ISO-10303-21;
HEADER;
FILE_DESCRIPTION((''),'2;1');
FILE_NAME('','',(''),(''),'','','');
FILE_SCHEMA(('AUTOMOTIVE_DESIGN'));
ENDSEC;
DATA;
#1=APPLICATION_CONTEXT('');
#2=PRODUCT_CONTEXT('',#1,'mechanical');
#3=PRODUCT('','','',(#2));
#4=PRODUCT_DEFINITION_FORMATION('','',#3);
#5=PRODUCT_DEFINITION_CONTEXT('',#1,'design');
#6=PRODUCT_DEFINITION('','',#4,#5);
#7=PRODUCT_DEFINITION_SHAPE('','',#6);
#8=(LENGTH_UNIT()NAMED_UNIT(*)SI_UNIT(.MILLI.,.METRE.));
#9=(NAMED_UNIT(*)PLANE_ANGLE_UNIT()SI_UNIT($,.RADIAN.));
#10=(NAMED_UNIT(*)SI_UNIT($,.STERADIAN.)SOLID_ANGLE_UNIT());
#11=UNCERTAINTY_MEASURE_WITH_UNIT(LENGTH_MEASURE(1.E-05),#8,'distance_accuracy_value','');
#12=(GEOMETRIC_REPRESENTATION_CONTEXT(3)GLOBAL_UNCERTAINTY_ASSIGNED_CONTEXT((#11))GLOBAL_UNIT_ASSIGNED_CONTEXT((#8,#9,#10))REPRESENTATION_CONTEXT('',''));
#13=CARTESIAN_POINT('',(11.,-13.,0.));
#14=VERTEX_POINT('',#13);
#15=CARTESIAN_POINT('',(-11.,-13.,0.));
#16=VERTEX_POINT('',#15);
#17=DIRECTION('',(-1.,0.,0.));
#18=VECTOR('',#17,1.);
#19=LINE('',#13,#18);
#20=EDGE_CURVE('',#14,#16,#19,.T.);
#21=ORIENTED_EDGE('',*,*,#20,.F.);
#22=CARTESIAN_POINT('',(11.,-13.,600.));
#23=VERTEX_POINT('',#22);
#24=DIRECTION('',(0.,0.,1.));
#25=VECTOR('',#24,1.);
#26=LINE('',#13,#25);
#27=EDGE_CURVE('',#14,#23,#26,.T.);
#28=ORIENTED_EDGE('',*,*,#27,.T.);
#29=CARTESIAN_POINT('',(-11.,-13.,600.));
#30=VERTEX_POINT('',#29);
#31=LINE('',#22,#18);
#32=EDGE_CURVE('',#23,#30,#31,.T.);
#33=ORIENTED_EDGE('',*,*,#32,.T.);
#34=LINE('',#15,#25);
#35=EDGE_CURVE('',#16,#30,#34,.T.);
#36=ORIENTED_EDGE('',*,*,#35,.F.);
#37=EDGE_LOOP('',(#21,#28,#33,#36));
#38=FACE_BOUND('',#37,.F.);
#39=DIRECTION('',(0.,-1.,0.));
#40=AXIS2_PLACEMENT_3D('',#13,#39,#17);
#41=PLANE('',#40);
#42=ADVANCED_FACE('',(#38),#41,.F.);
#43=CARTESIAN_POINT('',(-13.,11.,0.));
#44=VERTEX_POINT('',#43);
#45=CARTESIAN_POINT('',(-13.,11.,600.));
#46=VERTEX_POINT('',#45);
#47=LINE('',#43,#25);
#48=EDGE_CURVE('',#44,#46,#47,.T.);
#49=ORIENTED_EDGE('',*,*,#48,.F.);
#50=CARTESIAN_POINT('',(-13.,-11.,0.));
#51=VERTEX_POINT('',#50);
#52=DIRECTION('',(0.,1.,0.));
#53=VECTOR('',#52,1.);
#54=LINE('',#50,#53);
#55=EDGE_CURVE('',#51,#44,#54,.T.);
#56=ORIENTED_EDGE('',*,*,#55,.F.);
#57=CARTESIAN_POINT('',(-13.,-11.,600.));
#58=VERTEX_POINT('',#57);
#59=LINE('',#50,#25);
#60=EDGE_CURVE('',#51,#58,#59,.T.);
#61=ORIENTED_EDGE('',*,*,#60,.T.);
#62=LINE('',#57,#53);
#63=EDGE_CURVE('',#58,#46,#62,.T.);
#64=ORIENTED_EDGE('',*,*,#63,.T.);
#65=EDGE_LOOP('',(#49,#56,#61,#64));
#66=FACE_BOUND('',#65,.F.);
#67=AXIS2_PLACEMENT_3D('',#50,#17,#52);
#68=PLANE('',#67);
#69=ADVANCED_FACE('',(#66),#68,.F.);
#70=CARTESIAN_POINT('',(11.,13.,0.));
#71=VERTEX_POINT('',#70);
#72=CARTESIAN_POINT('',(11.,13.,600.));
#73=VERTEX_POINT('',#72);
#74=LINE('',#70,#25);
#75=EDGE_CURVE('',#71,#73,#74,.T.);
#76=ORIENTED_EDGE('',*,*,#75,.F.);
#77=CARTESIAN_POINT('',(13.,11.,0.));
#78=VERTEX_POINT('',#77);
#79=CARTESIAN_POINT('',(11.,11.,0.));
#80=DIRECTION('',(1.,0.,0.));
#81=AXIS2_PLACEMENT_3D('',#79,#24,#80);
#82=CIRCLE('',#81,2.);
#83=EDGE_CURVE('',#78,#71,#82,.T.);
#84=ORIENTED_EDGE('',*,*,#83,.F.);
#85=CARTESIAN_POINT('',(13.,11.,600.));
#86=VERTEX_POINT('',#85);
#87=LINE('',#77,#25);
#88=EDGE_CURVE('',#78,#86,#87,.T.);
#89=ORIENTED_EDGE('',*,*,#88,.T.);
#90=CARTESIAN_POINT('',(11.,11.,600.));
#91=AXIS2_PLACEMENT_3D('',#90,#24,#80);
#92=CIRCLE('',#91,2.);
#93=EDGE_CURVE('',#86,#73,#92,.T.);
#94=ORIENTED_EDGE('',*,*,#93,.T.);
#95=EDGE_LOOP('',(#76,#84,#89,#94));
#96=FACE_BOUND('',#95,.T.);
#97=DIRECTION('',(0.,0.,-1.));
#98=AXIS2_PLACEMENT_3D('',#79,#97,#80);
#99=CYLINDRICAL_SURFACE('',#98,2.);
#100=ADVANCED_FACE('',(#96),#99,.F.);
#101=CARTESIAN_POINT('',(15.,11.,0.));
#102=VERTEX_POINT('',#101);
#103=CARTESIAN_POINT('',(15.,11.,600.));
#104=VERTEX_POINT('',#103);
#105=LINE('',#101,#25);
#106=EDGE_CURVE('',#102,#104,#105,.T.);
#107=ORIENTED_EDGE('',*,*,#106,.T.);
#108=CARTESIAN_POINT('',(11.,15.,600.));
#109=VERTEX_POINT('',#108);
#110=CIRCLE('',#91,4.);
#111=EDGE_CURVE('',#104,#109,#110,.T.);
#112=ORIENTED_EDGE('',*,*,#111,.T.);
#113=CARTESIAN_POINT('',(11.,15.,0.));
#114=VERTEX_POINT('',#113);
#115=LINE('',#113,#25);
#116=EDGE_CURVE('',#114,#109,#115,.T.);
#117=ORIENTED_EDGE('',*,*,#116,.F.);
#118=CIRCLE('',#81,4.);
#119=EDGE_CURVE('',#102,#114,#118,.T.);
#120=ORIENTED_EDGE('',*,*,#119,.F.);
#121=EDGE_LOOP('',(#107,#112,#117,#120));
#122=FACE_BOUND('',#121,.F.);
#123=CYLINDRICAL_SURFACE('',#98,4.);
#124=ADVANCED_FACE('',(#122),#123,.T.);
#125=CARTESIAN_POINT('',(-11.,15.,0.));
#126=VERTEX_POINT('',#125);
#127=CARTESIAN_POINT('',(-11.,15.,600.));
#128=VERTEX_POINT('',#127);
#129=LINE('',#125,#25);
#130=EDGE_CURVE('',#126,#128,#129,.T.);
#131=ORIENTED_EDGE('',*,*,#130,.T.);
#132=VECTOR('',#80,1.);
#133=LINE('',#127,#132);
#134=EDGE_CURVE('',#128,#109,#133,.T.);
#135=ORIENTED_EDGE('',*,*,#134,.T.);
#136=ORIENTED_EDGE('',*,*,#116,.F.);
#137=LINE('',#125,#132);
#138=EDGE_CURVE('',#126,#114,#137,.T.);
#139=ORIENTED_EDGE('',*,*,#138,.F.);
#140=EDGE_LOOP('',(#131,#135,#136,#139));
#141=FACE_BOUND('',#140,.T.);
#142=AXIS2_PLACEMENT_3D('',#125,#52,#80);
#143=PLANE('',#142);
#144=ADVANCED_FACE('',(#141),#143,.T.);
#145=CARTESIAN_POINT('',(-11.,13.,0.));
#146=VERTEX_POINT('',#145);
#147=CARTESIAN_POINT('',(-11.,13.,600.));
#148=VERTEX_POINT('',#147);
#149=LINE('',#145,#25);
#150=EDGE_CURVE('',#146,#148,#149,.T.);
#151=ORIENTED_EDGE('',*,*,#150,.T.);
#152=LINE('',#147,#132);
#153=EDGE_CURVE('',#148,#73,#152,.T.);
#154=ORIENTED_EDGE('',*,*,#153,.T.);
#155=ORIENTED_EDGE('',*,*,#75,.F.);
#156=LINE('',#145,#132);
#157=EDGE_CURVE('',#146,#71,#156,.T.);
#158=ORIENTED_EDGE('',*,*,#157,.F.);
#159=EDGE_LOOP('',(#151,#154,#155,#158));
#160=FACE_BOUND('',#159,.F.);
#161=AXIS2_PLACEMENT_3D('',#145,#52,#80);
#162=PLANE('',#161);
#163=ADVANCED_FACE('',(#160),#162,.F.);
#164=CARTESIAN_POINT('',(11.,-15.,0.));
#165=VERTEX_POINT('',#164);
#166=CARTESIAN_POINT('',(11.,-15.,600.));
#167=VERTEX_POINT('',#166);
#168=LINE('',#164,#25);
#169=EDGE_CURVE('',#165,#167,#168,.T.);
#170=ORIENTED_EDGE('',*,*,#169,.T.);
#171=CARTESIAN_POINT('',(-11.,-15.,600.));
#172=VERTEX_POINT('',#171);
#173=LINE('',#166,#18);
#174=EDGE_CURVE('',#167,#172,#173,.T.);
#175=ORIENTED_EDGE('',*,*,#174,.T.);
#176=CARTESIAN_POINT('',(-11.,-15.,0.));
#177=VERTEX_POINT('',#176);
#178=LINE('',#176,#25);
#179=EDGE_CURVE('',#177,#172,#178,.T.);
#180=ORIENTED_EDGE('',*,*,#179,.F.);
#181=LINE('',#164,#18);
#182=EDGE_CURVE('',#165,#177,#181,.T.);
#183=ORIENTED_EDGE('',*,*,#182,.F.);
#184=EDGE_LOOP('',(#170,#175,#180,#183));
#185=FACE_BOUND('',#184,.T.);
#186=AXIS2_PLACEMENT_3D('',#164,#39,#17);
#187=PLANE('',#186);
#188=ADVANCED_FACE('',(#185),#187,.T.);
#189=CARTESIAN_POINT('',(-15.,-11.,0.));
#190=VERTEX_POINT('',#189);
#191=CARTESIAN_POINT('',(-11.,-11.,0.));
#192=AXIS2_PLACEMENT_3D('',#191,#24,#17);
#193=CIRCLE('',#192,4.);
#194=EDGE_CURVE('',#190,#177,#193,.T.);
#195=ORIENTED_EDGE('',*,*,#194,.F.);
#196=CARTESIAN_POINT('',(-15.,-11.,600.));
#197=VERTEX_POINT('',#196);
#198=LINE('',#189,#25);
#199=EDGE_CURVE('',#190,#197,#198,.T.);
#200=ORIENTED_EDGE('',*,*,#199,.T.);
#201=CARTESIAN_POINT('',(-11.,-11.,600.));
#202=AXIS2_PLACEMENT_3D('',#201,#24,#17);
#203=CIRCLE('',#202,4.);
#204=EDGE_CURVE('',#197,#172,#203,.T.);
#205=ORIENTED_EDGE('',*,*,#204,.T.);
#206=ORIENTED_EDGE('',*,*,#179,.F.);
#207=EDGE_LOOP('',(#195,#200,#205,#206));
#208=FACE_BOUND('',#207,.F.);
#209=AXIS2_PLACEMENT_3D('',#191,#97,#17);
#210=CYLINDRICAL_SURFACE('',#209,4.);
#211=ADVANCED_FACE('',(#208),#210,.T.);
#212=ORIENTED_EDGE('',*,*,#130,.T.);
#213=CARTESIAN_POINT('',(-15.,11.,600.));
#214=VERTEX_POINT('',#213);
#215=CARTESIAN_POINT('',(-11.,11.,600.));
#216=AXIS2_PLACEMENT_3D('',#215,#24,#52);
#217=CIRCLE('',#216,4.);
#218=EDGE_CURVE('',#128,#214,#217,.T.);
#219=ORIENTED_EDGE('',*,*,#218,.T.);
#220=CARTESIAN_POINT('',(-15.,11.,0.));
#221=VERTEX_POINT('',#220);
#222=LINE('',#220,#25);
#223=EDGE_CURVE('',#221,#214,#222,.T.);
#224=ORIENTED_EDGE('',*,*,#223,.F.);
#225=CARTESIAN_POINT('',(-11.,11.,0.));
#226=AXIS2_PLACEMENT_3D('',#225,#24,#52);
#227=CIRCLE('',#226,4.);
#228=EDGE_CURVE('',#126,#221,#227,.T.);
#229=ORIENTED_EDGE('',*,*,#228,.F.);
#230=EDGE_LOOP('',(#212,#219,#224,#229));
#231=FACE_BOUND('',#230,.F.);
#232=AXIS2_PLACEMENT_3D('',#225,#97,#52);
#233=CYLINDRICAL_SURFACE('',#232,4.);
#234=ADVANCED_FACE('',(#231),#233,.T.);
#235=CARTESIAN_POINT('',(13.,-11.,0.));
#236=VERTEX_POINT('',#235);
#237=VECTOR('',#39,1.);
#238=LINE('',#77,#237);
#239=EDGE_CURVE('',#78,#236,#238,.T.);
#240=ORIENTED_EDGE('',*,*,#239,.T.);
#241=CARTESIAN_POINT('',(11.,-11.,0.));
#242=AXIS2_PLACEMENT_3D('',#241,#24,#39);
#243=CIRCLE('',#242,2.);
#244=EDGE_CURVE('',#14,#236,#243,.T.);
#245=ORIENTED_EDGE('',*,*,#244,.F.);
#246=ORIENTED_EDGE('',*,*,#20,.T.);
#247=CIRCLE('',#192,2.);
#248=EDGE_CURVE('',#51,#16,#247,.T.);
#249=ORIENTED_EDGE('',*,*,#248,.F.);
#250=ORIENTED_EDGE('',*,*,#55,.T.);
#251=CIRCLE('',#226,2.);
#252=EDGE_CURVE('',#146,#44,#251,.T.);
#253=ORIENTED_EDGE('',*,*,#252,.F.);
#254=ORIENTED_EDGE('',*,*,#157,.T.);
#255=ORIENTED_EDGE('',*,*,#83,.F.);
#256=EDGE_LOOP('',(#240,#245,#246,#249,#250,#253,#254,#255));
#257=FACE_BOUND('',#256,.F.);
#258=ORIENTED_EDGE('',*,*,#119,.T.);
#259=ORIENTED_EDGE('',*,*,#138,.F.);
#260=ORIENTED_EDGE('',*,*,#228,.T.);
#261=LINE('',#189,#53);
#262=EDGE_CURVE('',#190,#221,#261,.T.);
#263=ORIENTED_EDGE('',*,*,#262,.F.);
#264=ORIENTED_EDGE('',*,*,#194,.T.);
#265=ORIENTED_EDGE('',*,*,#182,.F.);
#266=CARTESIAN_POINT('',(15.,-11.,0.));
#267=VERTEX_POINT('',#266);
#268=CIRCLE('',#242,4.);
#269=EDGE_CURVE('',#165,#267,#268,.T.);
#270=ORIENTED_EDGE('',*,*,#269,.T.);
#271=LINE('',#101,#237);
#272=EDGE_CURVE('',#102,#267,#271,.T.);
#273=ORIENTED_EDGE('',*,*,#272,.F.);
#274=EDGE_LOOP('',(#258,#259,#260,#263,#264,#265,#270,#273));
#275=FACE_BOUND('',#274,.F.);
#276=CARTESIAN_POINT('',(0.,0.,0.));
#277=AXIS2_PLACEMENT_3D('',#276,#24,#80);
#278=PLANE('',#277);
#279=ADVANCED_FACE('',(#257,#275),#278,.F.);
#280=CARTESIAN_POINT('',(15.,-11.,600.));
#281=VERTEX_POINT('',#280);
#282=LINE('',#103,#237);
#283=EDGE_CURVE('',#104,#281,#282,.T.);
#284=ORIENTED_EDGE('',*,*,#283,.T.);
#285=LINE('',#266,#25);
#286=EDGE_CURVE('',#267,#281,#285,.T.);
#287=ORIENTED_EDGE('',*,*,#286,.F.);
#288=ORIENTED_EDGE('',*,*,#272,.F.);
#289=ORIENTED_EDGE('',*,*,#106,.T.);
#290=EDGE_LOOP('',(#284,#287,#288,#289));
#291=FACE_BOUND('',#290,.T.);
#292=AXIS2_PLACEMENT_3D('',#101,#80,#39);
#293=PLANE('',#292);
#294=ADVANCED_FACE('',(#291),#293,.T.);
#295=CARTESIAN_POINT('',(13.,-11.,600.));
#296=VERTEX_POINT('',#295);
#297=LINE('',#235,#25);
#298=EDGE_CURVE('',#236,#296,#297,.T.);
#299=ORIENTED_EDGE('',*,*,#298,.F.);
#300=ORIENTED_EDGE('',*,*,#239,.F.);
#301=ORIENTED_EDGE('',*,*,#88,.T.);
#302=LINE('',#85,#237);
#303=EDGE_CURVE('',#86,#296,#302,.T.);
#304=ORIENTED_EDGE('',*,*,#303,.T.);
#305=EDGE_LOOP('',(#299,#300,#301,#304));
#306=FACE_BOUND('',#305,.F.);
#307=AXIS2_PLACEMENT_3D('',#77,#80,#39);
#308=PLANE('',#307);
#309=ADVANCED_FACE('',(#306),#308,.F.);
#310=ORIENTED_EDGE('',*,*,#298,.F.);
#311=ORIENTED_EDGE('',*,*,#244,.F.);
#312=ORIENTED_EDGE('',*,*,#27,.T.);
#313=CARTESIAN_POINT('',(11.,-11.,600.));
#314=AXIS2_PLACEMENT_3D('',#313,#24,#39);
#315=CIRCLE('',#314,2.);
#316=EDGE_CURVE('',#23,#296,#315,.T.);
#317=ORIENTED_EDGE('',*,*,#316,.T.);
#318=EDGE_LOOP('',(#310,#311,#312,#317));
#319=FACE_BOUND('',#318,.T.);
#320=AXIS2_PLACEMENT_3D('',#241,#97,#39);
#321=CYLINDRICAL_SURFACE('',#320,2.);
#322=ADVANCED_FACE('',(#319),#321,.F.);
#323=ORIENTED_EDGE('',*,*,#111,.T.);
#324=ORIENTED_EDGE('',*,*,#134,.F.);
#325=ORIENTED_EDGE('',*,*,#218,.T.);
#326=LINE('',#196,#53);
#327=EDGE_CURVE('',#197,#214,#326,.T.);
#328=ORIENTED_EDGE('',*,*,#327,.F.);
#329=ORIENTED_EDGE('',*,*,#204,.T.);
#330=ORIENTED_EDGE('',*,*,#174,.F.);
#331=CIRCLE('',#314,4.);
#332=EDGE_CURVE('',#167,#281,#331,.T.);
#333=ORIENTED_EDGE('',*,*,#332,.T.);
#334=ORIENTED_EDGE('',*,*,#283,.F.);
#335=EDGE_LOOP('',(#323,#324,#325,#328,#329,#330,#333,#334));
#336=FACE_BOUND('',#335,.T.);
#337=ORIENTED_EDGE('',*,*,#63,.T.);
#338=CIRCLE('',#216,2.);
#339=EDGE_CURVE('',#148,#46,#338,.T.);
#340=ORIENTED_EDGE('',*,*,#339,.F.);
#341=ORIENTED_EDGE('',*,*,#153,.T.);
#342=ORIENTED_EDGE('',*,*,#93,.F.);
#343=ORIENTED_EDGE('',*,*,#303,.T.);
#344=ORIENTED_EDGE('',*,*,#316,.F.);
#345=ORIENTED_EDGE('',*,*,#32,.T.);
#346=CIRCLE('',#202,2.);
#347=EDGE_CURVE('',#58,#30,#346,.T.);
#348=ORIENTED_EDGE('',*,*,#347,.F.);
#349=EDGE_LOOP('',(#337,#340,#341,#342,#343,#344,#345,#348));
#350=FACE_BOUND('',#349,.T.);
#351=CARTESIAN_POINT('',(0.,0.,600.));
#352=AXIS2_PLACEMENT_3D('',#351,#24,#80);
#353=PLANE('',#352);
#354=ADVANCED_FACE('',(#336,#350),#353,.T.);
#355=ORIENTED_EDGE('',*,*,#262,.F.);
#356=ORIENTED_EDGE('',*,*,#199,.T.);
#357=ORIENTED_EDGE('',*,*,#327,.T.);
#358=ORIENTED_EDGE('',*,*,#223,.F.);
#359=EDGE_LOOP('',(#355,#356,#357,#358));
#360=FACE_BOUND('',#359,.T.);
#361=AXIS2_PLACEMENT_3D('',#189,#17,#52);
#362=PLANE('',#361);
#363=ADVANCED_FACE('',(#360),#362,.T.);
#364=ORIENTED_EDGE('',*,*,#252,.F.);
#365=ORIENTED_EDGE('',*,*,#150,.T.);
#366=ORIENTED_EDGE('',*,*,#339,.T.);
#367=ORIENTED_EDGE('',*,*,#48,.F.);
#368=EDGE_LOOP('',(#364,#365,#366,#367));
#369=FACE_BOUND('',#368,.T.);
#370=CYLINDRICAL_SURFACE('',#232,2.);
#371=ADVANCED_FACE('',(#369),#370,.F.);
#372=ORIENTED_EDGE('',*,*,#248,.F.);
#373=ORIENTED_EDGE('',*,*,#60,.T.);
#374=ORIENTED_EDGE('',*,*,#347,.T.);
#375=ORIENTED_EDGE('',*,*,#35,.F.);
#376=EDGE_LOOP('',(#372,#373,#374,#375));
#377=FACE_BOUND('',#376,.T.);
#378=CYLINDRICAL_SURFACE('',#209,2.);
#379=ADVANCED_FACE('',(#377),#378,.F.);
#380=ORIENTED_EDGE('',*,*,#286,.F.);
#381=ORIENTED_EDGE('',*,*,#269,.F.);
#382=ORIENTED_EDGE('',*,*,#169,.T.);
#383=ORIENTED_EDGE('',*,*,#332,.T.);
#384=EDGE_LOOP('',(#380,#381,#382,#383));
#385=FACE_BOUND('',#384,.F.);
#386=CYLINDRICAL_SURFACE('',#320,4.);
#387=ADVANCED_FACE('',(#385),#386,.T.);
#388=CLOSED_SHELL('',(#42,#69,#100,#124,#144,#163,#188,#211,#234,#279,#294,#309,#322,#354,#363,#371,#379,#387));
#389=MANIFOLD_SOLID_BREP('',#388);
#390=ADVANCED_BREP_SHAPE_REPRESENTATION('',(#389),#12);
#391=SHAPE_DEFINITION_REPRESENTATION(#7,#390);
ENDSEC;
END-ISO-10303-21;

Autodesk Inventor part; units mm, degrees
ref_plane "YZ Plane" through (0, 0, 0) normal (1, 0, 0) x (0, 1, 0)
ref_plane "Plan de départ" through (0, 0, 0) normal (0, 0, 1) x (1, 0, 0)
ref_plane "Plan de fin" through (0, 0, 600) normal (0, 0, 1) x (1, 0, 0)
sketch "Esquisse" plane through (0, 0, 0) normal (0, 0, 1) x (1, 0, 0)
  line L0 (-15, -11) -> (-15, 11)
  line L1 (-11, 15) -> (11, 15)
  line L2 (15, 11) -> (15, -11)
  line L3 (11, -15) -> (-11, -15)
  arc A0 (-15, -11) -> (-11, -15) centre (-11, -11) ccw
  arc A1 (15, 11) -> (11, 15) centre (11, 11) ccw
  arc A2 (-11, 15) -> (-15, 11) centre (-11, 11) ccw
  arc A3 (11, -15) -> (15, -11) centre (11, -11) ccw
  arc A4 (-11, 13) -> (-13, 11) centre (-11, 11) ccw
  line L4 (-11, 13) -> (11, 13)
  arc A5 (13, 11) -> (11, 13) centre (11, 11) ccw
  line L5 (13, 11) -> (13, -11)
  arc A6 (11, -13) -> (13, -11) centre (11, -11) ccw
  line L6 (11, -13) -> (-11, -13)
  arc A7 (-13, -11) -> (-11, -13) centre (-11, -11) ccw
  line L7 (-13, -11) -> (-13, 11)
  line L8 (0, 22.1598) -> (0, -22.1598) construction
  line L9 (-22.1598, 0) -> (22.1598, 0) construction
  dimension "d7" = 4
  dimension "d9" = 30
  dimension "d11" = 30
  dimension "d12" = 2
  dimension "d15" = 15
  dimension "d16" = 15
extrude "Corps" add sketch "Esquisse" along normal up to surface (600 mm away) from surface at 0
sketch "Sketch3" plane through (0, 0, 0) normal (0, 0, 1) x (1, 0, 0)
  line L0 (0, 0) -> (10, 0)
ref_plane "Work Plane3" through (0, 0, 0) normal (0, -1, 0) x (1, 0, 0)
sketch "Sketch4" plane through (0, 0, 0) normal (0, -1, 0) x (1, 0, 0)
  line L0 (-2, 0) -> (12, 0) projected
  line L1 (-2, 600) -> (12, 600) projected
  dimension "d18" = 600
equation "\"d7\" = G_IR"
equation "\"d9\" = G_W"
equation "\"d11\" = G_H"
equation "\"d12\" = G_T"
equation "\"d15\" = 0.5 * d9"
equation "\"d16\" = 0.5 * d11"
equation "\"d3\" = G_L"
equation "\"G_W\" = 30"
equation "\"G_H\" = 30"
equation "\"G_T\" = 2"
equation "\"G_IR\" = 4"
equation "\"G_L\" = d18"
equation "\"G_OFFSET_START\" = 0"
equation "\"G_OFFSET_END\" = 0"
properties part number "ISO 10799-2 - 30x30x2 - 600" material "Acier, doux"
